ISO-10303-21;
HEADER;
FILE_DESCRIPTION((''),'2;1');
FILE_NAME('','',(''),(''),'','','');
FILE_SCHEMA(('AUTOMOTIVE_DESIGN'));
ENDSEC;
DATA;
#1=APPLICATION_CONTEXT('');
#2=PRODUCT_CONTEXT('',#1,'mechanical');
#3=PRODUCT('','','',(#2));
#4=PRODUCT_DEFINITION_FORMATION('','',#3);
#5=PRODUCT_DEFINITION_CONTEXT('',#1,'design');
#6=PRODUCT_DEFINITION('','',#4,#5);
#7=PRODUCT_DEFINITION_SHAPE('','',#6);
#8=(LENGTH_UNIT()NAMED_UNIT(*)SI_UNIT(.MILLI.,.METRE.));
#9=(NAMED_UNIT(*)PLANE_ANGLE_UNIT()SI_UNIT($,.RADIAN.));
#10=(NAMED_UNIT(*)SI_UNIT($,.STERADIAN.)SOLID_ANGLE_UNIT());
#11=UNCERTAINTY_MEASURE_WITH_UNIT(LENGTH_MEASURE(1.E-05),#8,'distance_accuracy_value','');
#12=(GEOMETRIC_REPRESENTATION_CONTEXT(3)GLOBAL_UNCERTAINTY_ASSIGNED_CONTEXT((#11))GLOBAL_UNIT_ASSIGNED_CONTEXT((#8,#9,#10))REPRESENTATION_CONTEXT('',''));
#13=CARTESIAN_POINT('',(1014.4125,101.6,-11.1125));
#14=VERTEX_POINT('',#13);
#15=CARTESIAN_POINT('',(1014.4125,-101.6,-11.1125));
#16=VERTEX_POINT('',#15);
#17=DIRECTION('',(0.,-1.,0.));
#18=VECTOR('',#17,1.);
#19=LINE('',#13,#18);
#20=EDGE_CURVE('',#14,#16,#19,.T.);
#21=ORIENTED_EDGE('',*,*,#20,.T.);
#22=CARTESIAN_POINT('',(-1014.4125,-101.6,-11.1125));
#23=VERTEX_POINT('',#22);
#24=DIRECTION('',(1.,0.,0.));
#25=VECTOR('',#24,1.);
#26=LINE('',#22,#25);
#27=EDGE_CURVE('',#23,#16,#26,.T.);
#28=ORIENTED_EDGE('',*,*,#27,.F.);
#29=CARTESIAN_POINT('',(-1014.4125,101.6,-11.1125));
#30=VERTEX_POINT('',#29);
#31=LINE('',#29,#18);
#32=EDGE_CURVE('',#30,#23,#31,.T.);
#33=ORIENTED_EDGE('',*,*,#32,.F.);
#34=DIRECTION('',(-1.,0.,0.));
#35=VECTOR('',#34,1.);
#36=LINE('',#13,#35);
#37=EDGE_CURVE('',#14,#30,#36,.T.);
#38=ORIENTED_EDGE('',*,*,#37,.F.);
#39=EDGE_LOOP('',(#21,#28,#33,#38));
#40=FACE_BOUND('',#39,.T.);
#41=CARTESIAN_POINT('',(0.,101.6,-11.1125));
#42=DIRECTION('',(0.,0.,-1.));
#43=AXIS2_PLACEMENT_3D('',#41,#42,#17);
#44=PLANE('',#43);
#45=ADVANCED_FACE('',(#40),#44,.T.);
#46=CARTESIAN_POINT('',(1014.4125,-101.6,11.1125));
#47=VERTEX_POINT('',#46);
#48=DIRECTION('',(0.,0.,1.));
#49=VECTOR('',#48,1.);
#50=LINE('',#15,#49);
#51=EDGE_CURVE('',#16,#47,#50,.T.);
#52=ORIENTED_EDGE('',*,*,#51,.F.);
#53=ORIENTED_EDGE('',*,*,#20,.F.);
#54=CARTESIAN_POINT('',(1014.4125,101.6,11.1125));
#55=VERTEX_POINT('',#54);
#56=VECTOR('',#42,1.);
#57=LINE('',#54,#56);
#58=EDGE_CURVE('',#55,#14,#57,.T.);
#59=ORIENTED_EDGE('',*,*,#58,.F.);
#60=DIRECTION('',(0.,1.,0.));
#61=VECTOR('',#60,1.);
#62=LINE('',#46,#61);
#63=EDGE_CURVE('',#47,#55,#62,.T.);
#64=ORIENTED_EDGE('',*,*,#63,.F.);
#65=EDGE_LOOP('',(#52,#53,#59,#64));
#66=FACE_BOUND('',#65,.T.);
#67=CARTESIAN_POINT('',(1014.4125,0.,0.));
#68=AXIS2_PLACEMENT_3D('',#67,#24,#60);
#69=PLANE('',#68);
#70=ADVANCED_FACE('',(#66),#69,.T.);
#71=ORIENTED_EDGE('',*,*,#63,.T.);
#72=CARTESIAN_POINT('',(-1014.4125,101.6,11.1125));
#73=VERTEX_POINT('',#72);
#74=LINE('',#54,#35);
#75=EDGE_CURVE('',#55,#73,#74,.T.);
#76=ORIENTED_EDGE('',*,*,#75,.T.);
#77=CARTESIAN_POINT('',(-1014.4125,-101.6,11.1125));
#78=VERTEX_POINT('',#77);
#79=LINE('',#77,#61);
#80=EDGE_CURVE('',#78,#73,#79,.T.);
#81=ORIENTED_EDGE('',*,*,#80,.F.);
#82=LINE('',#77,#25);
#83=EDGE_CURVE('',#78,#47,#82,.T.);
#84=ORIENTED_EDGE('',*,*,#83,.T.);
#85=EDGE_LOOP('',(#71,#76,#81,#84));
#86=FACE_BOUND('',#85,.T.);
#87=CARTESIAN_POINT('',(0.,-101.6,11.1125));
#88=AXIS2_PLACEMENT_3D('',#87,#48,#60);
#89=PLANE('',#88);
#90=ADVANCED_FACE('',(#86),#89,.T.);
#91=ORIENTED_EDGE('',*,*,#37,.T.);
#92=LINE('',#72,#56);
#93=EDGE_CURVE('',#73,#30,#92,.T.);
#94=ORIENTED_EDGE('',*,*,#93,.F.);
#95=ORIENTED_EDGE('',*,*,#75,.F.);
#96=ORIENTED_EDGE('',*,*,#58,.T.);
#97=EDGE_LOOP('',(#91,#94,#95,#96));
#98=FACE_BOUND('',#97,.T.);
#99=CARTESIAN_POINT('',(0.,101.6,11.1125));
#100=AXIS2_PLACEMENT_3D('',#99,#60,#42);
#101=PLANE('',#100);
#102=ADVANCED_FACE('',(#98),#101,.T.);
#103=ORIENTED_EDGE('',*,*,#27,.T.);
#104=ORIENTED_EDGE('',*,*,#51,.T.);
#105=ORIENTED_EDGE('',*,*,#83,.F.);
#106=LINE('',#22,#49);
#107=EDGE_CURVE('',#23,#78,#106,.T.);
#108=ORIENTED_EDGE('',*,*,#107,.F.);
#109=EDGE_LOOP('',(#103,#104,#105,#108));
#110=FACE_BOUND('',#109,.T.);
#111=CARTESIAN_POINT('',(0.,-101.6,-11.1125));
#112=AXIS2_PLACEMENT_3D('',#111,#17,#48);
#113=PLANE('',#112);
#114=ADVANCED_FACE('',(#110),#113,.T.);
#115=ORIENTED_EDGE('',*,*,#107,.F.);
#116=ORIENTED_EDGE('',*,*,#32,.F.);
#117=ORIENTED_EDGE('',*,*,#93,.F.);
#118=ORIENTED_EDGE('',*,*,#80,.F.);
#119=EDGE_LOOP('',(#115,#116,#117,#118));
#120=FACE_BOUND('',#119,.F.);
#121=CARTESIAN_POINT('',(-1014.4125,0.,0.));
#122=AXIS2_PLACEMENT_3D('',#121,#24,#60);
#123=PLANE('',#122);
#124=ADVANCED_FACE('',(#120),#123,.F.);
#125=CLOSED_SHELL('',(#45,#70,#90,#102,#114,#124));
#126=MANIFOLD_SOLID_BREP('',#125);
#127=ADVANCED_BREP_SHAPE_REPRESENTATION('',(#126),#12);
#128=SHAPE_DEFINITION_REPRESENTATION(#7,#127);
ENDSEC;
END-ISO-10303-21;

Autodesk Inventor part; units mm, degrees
ref_plane "YZ Plane" through (0, 0, 0) normal (1, 0, 0) x (0, 1, 0)
ref_plane "XZ Plane" through (0, 0, 0) normal (0, 1, 0) x (-1, 0, 0)
ref_plane "XY Plane" through (0, 0, 0) normal (0, 0, 1) x (1, 0, 0)
sketch "Sketch1" plane through (0, 0, 0) normal (1, 0, 0) x (0, 1, 0)
  line L0 (-101.6, 11.1125) -> (101.6, 11.1125)
  line L1 (101.6, 11.1125) -> (101.6, -11.1125)
  line L2 (101.6, -11.1125) -> (-101.6, -11.1125)
  line L3 (-101.6, -11.1125) -> (-101.6, 11.1125)
  line L4 (-101.6, 11.1125) -> (101.6, -11.1125) construction
  line L5 (101.6, 11.1125) -> (-101.6, -11.1125) construction
  point P0 (0, 0)
  dimension "d0" = 22.225
  dimension "d1" = 203.2
extrude "Extrusion1" add sketch "Sketch1" along normal mid plane 2028.825
properties part number "Bed Rail" material "Wood (Cherry)"
